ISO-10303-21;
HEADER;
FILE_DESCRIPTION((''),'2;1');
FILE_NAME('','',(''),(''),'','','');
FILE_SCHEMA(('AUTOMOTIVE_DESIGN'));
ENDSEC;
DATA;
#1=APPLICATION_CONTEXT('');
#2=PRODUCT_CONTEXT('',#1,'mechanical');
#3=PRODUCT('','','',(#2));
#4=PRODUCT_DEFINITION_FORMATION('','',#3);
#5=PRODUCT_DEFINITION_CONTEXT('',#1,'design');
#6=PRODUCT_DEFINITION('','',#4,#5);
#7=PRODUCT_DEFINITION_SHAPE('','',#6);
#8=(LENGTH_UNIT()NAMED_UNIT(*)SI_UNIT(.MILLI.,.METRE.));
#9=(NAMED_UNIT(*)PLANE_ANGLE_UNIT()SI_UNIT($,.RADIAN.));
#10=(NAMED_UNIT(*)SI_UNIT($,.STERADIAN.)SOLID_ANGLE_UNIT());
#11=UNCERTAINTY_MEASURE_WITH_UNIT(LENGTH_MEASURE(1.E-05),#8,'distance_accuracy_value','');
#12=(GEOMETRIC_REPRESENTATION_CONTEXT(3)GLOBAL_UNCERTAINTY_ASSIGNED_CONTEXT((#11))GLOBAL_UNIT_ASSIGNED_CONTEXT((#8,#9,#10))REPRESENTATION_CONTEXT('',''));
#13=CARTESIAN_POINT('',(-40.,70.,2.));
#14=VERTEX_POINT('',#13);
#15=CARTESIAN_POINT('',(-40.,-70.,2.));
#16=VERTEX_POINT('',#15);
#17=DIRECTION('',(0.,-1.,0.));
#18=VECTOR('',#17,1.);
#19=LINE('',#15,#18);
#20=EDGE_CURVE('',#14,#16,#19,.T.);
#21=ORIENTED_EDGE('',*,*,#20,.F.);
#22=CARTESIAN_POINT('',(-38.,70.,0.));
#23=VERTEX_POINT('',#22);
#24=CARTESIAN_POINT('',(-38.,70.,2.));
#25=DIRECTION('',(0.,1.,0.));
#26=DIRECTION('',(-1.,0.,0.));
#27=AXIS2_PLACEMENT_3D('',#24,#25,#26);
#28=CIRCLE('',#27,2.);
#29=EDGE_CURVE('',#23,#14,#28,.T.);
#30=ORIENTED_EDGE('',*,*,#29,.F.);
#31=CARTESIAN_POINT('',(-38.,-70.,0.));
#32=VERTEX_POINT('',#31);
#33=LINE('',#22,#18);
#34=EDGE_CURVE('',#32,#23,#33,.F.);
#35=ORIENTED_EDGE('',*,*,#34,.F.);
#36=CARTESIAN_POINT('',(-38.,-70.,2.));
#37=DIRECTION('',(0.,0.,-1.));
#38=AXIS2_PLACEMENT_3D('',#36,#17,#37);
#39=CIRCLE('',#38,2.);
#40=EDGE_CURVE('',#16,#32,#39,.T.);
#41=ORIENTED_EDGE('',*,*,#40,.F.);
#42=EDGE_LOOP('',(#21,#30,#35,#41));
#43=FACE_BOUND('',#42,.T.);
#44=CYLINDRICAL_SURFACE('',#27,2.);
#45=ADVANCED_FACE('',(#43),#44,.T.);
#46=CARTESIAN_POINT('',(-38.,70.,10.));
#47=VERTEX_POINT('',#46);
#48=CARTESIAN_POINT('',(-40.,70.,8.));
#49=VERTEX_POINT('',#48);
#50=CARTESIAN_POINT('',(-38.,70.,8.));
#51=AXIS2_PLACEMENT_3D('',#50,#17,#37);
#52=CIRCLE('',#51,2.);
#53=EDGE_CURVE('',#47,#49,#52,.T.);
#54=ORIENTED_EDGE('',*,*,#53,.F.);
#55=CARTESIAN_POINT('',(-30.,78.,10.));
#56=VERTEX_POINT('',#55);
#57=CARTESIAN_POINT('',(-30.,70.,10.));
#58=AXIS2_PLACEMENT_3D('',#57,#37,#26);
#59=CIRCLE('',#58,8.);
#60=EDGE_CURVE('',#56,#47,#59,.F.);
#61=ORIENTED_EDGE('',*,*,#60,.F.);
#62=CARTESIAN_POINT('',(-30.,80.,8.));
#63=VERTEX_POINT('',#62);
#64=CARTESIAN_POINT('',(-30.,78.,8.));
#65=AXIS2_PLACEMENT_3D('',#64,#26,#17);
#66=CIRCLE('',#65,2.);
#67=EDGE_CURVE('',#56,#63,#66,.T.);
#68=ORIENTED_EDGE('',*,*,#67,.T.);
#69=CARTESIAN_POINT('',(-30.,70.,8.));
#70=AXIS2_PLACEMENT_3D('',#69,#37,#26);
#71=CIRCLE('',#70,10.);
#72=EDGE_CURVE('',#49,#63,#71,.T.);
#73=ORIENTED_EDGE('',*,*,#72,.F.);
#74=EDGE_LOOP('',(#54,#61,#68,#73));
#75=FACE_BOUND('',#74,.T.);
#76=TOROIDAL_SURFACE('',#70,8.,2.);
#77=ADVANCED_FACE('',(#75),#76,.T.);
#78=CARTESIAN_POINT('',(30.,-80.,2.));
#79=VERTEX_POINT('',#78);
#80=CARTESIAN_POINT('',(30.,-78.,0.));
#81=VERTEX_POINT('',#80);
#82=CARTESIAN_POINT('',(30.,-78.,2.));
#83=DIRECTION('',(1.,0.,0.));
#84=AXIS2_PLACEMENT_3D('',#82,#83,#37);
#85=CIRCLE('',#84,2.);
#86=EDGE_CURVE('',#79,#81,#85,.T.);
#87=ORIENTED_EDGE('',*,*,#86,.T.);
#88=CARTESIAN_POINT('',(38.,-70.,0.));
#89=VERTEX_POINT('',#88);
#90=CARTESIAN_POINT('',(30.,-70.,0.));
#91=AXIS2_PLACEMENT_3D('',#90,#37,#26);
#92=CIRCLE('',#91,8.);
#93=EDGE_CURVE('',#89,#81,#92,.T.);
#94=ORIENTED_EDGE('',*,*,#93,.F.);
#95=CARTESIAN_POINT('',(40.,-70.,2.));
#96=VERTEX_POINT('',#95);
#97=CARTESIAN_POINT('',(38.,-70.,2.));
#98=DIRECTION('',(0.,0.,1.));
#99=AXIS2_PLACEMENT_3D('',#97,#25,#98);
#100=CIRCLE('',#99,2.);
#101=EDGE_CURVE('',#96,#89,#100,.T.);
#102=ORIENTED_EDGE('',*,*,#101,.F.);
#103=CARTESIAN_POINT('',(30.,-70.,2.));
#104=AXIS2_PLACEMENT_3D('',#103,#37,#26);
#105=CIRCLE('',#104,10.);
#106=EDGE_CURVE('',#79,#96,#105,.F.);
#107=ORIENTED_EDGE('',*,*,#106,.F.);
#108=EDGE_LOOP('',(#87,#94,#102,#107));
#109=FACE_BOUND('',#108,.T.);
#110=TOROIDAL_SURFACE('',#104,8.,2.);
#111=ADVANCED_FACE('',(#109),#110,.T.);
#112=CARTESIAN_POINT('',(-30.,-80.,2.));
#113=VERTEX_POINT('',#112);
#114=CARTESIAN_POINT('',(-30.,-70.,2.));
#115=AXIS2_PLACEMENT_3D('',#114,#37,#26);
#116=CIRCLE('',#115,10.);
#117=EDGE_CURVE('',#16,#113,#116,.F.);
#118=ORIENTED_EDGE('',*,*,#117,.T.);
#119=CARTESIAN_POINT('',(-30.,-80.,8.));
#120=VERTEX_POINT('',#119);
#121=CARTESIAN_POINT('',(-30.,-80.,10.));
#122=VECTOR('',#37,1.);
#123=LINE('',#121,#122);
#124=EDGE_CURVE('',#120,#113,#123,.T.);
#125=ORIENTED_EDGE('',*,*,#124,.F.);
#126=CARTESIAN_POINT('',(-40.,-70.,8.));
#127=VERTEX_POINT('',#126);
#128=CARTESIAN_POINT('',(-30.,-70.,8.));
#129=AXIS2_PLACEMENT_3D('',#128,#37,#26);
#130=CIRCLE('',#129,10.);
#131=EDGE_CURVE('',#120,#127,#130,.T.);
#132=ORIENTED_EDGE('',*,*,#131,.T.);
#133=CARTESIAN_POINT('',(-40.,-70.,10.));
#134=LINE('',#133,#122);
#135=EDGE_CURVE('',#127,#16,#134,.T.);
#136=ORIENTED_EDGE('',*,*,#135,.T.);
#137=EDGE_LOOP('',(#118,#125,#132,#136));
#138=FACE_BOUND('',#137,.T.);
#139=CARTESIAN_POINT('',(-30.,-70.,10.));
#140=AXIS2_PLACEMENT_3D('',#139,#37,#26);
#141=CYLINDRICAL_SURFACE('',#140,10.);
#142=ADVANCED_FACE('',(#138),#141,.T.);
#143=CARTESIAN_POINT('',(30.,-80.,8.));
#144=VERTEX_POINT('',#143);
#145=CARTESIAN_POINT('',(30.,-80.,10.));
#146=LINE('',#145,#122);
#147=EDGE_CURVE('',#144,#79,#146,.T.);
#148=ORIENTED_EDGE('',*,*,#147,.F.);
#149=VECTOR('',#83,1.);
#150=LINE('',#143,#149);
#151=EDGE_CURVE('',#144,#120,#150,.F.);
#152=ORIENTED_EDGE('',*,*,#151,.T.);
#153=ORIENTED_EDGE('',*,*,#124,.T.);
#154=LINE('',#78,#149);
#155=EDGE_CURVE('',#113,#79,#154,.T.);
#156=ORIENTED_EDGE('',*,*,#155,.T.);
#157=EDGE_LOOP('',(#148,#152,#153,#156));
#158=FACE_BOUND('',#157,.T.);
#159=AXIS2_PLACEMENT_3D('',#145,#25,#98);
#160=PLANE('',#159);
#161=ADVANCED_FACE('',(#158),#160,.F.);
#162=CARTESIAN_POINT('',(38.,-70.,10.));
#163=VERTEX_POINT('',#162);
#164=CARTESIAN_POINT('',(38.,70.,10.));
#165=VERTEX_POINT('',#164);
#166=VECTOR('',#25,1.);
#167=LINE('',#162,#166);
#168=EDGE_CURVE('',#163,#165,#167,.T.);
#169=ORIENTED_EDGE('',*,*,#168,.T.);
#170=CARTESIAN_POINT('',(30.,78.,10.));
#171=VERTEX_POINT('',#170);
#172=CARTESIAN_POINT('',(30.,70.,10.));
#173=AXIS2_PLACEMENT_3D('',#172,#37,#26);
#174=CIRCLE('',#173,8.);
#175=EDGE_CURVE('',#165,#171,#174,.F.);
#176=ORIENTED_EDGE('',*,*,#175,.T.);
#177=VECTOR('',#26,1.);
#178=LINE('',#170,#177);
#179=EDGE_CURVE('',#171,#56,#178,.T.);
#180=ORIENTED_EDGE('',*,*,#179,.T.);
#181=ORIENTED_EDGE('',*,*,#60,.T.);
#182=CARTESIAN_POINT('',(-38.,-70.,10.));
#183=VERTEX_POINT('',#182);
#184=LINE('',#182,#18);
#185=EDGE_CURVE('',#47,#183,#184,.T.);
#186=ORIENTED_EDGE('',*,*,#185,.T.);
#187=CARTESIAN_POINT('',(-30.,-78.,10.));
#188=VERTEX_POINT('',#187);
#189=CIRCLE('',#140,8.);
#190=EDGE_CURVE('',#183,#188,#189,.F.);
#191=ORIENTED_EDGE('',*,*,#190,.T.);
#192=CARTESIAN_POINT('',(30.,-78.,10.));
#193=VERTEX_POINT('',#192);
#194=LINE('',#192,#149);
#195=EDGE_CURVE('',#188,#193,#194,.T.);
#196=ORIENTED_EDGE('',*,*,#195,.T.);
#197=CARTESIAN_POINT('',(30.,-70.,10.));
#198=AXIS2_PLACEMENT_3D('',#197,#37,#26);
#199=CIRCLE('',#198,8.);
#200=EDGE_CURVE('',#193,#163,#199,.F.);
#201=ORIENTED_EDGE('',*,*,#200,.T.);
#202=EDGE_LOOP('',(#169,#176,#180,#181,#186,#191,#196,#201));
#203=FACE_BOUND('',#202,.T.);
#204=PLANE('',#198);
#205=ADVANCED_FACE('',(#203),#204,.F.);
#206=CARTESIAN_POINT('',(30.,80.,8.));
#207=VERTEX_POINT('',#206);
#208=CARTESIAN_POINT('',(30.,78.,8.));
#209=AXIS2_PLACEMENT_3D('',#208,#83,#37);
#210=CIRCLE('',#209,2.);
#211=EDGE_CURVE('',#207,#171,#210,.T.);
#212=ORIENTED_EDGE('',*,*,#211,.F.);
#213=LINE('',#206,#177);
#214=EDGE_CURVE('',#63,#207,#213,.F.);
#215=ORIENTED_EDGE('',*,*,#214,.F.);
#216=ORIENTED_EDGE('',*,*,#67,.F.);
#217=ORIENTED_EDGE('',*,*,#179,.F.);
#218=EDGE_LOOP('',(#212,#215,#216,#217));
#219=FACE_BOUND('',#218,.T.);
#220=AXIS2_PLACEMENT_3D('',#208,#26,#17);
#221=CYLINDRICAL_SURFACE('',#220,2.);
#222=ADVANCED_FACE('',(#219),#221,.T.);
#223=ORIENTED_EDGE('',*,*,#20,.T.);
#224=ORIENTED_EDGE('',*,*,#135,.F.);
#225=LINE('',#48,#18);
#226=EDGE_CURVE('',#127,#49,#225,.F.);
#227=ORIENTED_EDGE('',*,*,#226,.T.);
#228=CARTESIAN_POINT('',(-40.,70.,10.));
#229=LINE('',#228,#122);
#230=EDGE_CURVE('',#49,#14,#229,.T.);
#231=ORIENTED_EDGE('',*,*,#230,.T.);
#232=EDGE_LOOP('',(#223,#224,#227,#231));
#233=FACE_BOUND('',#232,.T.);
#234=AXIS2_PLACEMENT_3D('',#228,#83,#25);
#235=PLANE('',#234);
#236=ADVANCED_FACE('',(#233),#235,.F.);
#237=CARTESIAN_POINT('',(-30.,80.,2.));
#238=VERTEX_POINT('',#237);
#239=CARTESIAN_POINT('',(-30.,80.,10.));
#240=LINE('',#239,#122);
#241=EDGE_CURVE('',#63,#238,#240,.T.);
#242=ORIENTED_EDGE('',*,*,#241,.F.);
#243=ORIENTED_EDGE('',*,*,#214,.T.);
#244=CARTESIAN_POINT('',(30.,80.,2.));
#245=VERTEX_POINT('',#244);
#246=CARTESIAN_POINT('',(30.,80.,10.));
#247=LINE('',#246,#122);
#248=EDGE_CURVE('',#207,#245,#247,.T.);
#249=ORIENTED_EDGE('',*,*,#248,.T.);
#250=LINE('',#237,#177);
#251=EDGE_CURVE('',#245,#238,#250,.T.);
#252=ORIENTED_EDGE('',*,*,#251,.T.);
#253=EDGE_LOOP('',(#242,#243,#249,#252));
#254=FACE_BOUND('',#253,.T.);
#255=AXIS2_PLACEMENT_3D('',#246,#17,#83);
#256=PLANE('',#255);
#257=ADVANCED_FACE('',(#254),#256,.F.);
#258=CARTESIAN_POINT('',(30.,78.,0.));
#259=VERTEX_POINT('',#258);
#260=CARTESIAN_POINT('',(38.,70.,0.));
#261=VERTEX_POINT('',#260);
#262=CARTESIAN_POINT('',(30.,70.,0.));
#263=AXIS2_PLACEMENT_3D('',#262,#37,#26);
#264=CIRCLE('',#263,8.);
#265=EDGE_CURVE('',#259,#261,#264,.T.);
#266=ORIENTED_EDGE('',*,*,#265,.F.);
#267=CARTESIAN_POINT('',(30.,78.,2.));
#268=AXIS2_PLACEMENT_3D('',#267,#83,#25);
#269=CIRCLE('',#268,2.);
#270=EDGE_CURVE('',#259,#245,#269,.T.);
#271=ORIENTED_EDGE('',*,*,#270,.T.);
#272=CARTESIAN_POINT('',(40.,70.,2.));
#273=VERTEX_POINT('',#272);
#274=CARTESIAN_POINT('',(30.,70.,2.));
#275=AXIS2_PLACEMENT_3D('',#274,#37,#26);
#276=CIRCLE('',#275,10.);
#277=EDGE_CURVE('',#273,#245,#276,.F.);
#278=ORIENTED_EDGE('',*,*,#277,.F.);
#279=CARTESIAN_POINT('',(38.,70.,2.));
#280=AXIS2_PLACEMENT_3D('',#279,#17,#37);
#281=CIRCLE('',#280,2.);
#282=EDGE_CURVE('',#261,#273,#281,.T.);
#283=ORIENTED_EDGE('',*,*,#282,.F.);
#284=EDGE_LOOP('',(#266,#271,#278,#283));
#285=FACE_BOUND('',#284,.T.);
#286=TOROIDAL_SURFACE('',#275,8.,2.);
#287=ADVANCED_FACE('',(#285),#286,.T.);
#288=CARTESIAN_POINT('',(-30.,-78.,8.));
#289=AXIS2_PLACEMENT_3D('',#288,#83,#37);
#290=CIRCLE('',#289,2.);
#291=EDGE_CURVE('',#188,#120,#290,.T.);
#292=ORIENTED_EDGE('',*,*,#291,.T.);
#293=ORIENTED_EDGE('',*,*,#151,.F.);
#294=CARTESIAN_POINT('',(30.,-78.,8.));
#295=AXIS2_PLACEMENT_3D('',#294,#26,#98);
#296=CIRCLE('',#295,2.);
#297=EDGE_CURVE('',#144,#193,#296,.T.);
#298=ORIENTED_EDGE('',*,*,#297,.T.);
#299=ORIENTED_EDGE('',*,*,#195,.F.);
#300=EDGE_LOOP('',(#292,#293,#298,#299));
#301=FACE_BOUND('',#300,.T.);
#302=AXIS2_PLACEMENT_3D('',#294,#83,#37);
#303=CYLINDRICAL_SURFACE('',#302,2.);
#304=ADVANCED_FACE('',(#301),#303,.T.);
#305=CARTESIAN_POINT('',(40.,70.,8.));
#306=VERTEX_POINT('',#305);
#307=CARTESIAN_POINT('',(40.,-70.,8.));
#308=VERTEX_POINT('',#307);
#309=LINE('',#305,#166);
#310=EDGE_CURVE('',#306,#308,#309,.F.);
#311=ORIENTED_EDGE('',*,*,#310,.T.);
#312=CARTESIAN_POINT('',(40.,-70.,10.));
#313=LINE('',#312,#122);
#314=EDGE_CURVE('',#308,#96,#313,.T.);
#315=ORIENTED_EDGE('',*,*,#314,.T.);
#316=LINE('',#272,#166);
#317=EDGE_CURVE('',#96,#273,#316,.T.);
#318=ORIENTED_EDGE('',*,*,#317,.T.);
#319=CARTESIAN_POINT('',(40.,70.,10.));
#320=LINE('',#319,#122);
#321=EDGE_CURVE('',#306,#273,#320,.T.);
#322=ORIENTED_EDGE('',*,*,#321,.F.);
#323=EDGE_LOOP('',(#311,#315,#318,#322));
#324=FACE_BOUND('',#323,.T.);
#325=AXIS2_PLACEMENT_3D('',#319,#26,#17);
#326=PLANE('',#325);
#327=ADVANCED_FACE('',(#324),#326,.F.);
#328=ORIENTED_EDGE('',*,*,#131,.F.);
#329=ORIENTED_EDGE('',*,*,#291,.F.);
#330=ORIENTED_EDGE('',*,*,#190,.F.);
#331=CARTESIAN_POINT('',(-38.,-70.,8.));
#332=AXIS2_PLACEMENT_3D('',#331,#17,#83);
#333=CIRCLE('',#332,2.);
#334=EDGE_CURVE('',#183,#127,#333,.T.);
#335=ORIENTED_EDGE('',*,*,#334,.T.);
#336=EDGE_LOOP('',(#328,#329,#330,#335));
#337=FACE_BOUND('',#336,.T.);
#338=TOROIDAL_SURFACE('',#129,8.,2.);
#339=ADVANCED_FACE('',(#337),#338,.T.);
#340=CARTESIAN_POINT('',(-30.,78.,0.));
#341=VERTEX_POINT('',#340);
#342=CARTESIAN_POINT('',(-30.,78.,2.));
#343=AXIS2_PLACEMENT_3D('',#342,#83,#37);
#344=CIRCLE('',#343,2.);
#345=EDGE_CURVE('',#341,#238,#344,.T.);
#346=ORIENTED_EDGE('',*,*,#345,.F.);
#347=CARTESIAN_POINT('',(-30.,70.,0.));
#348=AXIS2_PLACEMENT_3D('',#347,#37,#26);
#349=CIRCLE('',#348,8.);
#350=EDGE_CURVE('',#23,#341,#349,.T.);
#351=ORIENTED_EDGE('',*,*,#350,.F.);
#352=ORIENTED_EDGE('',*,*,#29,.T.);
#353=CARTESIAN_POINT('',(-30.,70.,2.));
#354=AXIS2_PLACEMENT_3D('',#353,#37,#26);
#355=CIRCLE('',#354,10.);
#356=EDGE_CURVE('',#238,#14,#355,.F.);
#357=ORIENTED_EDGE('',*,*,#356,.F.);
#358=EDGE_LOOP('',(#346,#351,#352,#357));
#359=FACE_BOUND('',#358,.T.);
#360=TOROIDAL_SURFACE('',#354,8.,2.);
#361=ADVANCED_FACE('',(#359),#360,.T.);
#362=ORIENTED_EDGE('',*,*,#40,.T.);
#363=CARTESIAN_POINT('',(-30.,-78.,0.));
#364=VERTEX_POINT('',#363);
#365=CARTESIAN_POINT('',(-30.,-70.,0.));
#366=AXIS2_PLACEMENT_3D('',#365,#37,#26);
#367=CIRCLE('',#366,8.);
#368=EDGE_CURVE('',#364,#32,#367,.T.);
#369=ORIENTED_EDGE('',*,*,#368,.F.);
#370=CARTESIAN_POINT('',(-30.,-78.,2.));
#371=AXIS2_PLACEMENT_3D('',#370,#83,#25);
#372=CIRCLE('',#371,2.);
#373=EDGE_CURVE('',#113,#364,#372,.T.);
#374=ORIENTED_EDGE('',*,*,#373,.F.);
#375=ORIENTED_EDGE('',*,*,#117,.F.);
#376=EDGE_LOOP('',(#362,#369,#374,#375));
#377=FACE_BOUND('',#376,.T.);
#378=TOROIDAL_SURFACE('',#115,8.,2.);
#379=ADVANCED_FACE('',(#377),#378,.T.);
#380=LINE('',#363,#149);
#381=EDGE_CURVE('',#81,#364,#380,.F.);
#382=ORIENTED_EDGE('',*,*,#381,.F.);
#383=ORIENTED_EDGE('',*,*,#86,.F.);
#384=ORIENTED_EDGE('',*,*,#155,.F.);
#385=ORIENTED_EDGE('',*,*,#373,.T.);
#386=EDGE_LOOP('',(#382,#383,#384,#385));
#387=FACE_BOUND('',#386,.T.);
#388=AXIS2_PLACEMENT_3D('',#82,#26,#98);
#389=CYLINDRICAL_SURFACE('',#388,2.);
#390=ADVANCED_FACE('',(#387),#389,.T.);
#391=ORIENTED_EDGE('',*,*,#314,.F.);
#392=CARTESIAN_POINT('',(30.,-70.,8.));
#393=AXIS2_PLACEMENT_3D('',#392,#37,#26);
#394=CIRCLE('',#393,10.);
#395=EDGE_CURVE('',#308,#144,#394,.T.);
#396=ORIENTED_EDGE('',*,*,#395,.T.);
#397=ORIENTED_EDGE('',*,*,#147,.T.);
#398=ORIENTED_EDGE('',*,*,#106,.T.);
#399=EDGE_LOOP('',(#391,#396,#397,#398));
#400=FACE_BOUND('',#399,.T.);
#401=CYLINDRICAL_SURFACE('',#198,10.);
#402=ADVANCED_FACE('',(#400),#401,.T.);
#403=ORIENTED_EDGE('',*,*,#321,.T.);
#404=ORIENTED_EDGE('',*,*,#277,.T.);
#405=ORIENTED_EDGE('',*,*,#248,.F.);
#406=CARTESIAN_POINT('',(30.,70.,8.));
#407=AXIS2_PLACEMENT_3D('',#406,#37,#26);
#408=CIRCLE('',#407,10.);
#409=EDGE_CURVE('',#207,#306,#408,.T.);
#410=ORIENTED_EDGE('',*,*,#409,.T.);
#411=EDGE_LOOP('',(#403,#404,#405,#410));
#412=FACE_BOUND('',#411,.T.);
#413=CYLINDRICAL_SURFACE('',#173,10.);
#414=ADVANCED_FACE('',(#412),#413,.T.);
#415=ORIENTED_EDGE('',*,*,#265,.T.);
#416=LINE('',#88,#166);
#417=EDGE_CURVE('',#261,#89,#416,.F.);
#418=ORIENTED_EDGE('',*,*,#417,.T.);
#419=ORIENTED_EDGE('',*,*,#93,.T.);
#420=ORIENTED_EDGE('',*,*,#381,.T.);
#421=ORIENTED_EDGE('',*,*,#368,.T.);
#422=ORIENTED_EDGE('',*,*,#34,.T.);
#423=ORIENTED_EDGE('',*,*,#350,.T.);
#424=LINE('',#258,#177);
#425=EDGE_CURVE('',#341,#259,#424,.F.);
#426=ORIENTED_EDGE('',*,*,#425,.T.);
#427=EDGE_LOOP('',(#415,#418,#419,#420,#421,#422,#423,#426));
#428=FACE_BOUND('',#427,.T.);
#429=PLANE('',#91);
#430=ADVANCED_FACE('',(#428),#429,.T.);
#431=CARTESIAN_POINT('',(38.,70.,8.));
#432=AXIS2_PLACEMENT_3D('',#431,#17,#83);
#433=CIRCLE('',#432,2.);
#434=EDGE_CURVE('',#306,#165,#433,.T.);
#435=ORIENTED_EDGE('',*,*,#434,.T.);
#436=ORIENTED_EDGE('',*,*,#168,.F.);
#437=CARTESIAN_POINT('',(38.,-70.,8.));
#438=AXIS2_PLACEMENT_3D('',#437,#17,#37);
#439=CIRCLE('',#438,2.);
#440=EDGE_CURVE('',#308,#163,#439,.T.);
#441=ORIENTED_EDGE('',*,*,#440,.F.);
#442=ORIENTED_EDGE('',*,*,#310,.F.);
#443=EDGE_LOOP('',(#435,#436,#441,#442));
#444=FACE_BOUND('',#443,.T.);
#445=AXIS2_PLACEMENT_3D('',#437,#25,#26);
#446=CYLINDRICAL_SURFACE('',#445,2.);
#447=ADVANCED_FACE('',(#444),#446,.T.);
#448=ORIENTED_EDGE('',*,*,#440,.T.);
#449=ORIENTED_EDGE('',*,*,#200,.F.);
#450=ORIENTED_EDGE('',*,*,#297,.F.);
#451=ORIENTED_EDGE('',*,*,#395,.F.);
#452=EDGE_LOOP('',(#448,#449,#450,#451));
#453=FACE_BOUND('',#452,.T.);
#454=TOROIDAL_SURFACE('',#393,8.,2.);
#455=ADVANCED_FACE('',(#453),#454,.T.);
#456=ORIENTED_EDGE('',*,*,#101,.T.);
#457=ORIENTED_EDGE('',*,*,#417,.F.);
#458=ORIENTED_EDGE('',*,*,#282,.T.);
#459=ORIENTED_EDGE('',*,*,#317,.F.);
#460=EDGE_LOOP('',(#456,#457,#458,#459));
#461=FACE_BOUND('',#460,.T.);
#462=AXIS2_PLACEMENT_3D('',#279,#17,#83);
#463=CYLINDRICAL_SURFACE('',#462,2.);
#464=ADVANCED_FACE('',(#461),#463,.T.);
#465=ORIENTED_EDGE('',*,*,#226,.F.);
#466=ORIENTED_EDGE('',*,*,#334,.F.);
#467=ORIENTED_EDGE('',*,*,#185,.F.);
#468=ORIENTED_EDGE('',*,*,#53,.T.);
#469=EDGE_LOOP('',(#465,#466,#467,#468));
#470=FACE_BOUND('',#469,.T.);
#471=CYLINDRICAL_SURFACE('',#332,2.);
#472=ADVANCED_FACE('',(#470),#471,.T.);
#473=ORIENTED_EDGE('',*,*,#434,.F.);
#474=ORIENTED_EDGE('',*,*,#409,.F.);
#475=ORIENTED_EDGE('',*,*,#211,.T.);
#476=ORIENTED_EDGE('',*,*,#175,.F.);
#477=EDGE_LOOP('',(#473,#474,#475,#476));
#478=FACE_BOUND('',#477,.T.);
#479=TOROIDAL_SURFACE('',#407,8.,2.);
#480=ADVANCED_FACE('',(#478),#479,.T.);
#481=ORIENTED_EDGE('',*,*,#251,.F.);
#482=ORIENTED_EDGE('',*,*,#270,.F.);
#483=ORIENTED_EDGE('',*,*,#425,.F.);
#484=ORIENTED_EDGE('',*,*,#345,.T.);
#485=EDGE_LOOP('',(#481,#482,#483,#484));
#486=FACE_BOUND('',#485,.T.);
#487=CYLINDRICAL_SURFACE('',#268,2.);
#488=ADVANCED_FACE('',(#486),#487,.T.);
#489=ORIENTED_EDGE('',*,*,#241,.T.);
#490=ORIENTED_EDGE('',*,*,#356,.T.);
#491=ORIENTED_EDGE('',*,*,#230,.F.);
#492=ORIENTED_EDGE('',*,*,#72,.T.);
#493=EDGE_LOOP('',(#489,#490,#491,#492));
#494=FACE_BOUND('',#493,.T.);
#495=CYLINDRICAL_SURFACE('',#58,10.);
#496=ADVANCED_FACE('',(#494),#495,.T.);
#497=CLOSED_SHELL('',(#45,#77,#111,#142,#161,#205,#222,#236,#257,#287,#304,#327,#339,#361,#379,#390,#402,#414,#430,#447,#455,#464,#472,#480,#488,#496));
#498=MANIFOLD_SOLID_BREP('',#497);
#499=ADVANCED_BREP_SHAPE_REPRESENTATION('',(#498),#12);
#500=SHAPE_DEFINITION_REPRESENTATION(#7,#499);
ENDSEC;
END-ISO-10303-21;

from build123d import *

# Parameters (mm, degrees)
BOSS_EXTRUDE1_DEPTH = 10
FILLET1_R           = 2


with BuildPart() as part:
    # Sketch1 → Boss-Extrude1 (new body)
    with BuildSketch(Plane.XY):
        with BuildLine():
            Line((30, 80), (-30, 80))
            ThreePointArc((-30, 80), (-37.071067812, 77.071067812), (-40, 70))
            Line((-40, 70), (-40, -70))
            ThreePointArc((-40, -70), (-37.071067812, -77.071067812), (-30, -80))
            Line((-30, -80), (30, -80))
            ThreePointArc((30, -80), (37.071067812, -77.071067812), (40, -70))
            Line((40, -70), (40, 70))
            ThreePointArc((40, 70), (37.071067812, 77.071067812), (30, 80))
        make_face()
    extrude(amount=BOSS_EXTRUDE1_DEPTH)

    # Fillet1
    fillet1_edges = [part.edges().sort_by_distance(p)[0] for p in [
        (37.071067812, 77.071067812, 10),
        (40, 0, 0),
        (37.071067812, -77.071067812, 0),
        (0, 80, 10),
        (-37.071067812, 77.071067812, 10),
        (-40, 0, 10),
        (-37.071067812, -77.071067812, 10),
        (0, -80, 10),
        (37.071067812, -77.071067812, 10),
        (40, 0, 10),
        (0, -80, 0),
        (-37.071067812, -77.071067812, 0),
        (-40, 0, 0),
        (-37.071067812, 77.071067812, 0),
        (0, 80, 0),
        (37.071067812, 77.071067812, 0),
    ]]
    fillet(fillet1_edges, radius=FILLET1_R)


solid = part.part
